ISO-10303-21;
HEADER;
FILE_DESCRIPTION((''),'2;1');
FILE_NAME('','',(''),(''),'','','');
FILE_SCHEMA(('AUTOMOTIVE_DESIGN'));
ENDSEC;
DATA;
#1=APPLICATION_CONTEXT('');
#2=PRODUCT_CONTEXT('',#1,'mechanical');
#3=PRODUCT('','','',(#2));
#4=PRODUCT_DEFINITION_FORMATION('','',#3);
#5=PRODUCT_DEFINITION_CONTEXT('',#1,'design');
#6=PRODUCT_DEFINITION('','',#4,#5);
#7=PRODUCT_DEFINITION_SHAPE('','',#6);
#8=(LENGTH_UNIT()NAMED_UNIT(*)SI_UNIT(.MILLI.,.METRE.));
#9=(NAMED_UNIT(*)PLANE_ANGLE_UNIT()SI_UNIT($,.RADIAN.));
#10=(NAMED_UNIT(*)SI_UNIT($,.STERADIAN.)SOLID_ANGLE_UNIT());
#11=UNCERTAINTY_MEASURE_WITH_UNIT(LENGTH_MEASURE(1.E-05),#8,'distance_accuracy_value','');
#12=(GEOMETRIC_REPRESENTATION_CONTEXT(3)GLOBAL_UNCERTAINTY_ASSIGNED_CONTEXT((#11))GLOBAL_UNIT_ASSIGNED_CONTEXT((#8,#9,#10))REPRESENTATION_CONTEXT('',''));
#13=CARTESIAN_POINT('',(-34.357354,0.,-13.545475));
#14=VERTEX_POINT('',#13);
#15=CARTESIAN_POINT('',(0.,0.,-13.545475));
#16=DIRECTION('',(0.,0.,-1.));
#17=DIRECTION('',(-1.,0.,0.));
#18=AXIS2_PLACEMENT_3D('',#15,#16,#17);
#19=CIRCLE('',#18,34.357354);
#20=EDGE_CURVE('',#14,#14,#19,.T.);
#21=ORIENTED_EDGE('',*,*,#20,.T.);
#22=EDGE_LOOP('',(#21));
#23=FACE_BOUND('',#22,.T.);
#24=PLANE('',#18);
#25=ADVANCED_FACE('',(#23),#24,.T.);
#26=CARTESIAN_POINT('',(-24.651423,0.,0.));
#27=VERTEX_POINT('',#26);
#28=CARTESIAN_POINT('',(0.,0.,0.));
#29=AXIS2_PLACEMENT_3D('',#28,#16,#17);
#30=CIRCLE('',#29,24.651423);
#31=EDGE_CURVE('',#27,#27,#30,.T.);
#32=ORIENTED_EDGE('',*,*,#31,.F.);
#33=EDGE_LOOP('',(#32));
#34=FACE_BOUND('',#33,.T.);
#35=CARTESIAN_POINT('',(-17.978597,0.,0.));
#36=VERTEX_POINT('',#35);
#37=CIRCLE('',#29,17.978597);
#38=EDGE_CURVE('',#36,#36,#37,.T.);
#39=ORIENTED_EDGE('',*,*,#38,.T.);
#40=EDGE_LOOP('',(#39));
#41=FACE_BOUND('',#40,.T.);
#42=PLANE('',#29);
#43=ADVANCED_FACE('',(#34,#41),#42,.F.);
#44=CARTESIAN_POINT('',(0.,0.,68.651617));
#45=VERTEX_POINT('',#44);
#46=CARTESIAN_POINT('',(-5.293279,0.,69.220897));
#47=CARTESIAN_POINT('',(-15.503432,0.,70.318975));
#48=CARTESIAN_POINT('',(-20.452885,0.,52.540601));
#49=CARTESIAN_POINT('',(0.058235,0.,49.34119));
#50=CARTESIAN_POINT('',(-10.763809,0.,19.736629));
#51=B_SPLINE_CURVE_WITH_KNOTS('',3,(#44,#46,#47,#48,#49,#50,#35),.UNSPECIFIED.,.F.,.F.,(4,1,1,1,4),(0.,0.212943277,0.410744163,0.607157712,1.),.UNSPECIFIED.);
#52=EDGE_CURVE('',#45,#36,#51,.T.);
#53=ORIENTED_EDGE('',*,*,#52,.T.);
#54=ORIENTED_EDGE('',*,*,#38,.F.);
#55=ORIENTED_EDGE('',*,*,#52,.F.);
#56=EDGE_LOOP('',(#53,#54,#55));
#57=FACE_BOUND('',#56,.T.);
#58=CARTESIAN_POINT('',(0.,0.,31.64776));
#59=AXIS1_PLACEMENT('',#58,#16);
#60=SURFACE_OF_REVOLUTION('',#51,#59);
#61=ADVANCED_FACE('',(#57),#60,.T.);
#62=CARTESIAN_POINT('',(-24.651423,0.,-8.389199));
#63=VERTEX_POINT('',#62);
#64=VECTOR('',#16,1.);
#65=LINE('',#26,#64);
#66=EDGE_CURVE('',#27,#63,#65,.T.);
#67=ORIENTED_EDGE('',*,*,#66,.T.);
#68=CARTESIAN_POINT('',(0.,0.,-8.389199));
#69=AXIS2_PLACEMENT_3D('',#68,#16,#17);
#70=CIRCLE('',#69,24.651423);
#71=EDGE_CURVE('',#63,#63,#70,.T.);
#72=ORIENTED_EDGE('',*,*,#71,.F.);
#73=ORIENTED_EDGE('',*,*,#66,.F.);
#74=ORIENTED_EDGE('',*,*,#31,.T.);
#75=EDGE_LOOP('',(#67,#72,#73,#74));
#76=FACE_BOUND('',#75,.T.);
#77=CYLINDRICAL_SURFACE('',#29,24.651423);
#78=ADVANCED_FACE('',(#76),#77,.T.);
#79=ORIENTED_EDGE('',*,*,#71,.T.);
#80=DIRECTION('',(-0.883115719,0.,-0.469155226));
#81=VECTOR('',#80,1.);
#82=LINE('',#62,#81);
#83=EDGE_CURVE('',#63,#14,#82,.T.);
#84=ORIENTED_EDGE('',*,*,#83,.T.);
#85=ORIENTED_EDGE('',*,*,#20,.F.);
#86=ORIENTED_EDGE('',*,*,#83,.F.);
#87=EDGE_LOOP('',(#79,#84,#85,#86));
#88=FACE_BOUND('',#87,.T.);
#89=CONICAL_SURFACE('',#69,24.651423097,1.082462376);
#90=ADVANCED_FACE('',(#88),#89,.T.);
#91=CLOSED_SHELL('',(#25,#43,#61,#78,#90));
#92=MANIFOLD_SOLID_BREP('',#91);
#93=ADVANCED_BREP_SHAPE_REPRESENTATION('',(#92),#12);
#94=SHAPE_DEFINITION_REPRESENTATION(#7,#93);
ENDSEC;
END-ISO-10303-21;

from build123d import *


with BuildPart() as f1:
    # F0 (on Front) → F1 (revolve)
    with BuildSketch(Plane.XZ):
        with BuildLine():
            Line((0, -13.5454749689), (0, 68.6516165733))
            add(Edge.make_bspline(
                [(0, 68.6516165733), (-5.2932788326, 69.2208965371), (-15.5034315859, 70.318974982), (-20.4528850245, 52.5406010505), (0.0582347598, 49.3411902024), (-10.7638087605, 19.7366287127), (-17.9785974324, 0)],
                knots=[0, 0, 0, 0, 0.2129432765, 0.4107441625, 0.6071577116, 1, 1, 1, 1], degree=3))
            Line((-17.9785974324, 0), (-24.6514230967, 0))
            Line((-24.6514230967, 0), (-24.6514230967, -8.3891991526))
            Line((-24.6514230967, -8.3891991526), (-34.3573540449, -13.5454749689))
            Line((-34.3573540449, -13.5454749689), (0, -13.5454749689))
        make_face()
    revolve(axis=Axis((0, 0, 31.647760421), (0, 0, -1)))


solid = f1.part
